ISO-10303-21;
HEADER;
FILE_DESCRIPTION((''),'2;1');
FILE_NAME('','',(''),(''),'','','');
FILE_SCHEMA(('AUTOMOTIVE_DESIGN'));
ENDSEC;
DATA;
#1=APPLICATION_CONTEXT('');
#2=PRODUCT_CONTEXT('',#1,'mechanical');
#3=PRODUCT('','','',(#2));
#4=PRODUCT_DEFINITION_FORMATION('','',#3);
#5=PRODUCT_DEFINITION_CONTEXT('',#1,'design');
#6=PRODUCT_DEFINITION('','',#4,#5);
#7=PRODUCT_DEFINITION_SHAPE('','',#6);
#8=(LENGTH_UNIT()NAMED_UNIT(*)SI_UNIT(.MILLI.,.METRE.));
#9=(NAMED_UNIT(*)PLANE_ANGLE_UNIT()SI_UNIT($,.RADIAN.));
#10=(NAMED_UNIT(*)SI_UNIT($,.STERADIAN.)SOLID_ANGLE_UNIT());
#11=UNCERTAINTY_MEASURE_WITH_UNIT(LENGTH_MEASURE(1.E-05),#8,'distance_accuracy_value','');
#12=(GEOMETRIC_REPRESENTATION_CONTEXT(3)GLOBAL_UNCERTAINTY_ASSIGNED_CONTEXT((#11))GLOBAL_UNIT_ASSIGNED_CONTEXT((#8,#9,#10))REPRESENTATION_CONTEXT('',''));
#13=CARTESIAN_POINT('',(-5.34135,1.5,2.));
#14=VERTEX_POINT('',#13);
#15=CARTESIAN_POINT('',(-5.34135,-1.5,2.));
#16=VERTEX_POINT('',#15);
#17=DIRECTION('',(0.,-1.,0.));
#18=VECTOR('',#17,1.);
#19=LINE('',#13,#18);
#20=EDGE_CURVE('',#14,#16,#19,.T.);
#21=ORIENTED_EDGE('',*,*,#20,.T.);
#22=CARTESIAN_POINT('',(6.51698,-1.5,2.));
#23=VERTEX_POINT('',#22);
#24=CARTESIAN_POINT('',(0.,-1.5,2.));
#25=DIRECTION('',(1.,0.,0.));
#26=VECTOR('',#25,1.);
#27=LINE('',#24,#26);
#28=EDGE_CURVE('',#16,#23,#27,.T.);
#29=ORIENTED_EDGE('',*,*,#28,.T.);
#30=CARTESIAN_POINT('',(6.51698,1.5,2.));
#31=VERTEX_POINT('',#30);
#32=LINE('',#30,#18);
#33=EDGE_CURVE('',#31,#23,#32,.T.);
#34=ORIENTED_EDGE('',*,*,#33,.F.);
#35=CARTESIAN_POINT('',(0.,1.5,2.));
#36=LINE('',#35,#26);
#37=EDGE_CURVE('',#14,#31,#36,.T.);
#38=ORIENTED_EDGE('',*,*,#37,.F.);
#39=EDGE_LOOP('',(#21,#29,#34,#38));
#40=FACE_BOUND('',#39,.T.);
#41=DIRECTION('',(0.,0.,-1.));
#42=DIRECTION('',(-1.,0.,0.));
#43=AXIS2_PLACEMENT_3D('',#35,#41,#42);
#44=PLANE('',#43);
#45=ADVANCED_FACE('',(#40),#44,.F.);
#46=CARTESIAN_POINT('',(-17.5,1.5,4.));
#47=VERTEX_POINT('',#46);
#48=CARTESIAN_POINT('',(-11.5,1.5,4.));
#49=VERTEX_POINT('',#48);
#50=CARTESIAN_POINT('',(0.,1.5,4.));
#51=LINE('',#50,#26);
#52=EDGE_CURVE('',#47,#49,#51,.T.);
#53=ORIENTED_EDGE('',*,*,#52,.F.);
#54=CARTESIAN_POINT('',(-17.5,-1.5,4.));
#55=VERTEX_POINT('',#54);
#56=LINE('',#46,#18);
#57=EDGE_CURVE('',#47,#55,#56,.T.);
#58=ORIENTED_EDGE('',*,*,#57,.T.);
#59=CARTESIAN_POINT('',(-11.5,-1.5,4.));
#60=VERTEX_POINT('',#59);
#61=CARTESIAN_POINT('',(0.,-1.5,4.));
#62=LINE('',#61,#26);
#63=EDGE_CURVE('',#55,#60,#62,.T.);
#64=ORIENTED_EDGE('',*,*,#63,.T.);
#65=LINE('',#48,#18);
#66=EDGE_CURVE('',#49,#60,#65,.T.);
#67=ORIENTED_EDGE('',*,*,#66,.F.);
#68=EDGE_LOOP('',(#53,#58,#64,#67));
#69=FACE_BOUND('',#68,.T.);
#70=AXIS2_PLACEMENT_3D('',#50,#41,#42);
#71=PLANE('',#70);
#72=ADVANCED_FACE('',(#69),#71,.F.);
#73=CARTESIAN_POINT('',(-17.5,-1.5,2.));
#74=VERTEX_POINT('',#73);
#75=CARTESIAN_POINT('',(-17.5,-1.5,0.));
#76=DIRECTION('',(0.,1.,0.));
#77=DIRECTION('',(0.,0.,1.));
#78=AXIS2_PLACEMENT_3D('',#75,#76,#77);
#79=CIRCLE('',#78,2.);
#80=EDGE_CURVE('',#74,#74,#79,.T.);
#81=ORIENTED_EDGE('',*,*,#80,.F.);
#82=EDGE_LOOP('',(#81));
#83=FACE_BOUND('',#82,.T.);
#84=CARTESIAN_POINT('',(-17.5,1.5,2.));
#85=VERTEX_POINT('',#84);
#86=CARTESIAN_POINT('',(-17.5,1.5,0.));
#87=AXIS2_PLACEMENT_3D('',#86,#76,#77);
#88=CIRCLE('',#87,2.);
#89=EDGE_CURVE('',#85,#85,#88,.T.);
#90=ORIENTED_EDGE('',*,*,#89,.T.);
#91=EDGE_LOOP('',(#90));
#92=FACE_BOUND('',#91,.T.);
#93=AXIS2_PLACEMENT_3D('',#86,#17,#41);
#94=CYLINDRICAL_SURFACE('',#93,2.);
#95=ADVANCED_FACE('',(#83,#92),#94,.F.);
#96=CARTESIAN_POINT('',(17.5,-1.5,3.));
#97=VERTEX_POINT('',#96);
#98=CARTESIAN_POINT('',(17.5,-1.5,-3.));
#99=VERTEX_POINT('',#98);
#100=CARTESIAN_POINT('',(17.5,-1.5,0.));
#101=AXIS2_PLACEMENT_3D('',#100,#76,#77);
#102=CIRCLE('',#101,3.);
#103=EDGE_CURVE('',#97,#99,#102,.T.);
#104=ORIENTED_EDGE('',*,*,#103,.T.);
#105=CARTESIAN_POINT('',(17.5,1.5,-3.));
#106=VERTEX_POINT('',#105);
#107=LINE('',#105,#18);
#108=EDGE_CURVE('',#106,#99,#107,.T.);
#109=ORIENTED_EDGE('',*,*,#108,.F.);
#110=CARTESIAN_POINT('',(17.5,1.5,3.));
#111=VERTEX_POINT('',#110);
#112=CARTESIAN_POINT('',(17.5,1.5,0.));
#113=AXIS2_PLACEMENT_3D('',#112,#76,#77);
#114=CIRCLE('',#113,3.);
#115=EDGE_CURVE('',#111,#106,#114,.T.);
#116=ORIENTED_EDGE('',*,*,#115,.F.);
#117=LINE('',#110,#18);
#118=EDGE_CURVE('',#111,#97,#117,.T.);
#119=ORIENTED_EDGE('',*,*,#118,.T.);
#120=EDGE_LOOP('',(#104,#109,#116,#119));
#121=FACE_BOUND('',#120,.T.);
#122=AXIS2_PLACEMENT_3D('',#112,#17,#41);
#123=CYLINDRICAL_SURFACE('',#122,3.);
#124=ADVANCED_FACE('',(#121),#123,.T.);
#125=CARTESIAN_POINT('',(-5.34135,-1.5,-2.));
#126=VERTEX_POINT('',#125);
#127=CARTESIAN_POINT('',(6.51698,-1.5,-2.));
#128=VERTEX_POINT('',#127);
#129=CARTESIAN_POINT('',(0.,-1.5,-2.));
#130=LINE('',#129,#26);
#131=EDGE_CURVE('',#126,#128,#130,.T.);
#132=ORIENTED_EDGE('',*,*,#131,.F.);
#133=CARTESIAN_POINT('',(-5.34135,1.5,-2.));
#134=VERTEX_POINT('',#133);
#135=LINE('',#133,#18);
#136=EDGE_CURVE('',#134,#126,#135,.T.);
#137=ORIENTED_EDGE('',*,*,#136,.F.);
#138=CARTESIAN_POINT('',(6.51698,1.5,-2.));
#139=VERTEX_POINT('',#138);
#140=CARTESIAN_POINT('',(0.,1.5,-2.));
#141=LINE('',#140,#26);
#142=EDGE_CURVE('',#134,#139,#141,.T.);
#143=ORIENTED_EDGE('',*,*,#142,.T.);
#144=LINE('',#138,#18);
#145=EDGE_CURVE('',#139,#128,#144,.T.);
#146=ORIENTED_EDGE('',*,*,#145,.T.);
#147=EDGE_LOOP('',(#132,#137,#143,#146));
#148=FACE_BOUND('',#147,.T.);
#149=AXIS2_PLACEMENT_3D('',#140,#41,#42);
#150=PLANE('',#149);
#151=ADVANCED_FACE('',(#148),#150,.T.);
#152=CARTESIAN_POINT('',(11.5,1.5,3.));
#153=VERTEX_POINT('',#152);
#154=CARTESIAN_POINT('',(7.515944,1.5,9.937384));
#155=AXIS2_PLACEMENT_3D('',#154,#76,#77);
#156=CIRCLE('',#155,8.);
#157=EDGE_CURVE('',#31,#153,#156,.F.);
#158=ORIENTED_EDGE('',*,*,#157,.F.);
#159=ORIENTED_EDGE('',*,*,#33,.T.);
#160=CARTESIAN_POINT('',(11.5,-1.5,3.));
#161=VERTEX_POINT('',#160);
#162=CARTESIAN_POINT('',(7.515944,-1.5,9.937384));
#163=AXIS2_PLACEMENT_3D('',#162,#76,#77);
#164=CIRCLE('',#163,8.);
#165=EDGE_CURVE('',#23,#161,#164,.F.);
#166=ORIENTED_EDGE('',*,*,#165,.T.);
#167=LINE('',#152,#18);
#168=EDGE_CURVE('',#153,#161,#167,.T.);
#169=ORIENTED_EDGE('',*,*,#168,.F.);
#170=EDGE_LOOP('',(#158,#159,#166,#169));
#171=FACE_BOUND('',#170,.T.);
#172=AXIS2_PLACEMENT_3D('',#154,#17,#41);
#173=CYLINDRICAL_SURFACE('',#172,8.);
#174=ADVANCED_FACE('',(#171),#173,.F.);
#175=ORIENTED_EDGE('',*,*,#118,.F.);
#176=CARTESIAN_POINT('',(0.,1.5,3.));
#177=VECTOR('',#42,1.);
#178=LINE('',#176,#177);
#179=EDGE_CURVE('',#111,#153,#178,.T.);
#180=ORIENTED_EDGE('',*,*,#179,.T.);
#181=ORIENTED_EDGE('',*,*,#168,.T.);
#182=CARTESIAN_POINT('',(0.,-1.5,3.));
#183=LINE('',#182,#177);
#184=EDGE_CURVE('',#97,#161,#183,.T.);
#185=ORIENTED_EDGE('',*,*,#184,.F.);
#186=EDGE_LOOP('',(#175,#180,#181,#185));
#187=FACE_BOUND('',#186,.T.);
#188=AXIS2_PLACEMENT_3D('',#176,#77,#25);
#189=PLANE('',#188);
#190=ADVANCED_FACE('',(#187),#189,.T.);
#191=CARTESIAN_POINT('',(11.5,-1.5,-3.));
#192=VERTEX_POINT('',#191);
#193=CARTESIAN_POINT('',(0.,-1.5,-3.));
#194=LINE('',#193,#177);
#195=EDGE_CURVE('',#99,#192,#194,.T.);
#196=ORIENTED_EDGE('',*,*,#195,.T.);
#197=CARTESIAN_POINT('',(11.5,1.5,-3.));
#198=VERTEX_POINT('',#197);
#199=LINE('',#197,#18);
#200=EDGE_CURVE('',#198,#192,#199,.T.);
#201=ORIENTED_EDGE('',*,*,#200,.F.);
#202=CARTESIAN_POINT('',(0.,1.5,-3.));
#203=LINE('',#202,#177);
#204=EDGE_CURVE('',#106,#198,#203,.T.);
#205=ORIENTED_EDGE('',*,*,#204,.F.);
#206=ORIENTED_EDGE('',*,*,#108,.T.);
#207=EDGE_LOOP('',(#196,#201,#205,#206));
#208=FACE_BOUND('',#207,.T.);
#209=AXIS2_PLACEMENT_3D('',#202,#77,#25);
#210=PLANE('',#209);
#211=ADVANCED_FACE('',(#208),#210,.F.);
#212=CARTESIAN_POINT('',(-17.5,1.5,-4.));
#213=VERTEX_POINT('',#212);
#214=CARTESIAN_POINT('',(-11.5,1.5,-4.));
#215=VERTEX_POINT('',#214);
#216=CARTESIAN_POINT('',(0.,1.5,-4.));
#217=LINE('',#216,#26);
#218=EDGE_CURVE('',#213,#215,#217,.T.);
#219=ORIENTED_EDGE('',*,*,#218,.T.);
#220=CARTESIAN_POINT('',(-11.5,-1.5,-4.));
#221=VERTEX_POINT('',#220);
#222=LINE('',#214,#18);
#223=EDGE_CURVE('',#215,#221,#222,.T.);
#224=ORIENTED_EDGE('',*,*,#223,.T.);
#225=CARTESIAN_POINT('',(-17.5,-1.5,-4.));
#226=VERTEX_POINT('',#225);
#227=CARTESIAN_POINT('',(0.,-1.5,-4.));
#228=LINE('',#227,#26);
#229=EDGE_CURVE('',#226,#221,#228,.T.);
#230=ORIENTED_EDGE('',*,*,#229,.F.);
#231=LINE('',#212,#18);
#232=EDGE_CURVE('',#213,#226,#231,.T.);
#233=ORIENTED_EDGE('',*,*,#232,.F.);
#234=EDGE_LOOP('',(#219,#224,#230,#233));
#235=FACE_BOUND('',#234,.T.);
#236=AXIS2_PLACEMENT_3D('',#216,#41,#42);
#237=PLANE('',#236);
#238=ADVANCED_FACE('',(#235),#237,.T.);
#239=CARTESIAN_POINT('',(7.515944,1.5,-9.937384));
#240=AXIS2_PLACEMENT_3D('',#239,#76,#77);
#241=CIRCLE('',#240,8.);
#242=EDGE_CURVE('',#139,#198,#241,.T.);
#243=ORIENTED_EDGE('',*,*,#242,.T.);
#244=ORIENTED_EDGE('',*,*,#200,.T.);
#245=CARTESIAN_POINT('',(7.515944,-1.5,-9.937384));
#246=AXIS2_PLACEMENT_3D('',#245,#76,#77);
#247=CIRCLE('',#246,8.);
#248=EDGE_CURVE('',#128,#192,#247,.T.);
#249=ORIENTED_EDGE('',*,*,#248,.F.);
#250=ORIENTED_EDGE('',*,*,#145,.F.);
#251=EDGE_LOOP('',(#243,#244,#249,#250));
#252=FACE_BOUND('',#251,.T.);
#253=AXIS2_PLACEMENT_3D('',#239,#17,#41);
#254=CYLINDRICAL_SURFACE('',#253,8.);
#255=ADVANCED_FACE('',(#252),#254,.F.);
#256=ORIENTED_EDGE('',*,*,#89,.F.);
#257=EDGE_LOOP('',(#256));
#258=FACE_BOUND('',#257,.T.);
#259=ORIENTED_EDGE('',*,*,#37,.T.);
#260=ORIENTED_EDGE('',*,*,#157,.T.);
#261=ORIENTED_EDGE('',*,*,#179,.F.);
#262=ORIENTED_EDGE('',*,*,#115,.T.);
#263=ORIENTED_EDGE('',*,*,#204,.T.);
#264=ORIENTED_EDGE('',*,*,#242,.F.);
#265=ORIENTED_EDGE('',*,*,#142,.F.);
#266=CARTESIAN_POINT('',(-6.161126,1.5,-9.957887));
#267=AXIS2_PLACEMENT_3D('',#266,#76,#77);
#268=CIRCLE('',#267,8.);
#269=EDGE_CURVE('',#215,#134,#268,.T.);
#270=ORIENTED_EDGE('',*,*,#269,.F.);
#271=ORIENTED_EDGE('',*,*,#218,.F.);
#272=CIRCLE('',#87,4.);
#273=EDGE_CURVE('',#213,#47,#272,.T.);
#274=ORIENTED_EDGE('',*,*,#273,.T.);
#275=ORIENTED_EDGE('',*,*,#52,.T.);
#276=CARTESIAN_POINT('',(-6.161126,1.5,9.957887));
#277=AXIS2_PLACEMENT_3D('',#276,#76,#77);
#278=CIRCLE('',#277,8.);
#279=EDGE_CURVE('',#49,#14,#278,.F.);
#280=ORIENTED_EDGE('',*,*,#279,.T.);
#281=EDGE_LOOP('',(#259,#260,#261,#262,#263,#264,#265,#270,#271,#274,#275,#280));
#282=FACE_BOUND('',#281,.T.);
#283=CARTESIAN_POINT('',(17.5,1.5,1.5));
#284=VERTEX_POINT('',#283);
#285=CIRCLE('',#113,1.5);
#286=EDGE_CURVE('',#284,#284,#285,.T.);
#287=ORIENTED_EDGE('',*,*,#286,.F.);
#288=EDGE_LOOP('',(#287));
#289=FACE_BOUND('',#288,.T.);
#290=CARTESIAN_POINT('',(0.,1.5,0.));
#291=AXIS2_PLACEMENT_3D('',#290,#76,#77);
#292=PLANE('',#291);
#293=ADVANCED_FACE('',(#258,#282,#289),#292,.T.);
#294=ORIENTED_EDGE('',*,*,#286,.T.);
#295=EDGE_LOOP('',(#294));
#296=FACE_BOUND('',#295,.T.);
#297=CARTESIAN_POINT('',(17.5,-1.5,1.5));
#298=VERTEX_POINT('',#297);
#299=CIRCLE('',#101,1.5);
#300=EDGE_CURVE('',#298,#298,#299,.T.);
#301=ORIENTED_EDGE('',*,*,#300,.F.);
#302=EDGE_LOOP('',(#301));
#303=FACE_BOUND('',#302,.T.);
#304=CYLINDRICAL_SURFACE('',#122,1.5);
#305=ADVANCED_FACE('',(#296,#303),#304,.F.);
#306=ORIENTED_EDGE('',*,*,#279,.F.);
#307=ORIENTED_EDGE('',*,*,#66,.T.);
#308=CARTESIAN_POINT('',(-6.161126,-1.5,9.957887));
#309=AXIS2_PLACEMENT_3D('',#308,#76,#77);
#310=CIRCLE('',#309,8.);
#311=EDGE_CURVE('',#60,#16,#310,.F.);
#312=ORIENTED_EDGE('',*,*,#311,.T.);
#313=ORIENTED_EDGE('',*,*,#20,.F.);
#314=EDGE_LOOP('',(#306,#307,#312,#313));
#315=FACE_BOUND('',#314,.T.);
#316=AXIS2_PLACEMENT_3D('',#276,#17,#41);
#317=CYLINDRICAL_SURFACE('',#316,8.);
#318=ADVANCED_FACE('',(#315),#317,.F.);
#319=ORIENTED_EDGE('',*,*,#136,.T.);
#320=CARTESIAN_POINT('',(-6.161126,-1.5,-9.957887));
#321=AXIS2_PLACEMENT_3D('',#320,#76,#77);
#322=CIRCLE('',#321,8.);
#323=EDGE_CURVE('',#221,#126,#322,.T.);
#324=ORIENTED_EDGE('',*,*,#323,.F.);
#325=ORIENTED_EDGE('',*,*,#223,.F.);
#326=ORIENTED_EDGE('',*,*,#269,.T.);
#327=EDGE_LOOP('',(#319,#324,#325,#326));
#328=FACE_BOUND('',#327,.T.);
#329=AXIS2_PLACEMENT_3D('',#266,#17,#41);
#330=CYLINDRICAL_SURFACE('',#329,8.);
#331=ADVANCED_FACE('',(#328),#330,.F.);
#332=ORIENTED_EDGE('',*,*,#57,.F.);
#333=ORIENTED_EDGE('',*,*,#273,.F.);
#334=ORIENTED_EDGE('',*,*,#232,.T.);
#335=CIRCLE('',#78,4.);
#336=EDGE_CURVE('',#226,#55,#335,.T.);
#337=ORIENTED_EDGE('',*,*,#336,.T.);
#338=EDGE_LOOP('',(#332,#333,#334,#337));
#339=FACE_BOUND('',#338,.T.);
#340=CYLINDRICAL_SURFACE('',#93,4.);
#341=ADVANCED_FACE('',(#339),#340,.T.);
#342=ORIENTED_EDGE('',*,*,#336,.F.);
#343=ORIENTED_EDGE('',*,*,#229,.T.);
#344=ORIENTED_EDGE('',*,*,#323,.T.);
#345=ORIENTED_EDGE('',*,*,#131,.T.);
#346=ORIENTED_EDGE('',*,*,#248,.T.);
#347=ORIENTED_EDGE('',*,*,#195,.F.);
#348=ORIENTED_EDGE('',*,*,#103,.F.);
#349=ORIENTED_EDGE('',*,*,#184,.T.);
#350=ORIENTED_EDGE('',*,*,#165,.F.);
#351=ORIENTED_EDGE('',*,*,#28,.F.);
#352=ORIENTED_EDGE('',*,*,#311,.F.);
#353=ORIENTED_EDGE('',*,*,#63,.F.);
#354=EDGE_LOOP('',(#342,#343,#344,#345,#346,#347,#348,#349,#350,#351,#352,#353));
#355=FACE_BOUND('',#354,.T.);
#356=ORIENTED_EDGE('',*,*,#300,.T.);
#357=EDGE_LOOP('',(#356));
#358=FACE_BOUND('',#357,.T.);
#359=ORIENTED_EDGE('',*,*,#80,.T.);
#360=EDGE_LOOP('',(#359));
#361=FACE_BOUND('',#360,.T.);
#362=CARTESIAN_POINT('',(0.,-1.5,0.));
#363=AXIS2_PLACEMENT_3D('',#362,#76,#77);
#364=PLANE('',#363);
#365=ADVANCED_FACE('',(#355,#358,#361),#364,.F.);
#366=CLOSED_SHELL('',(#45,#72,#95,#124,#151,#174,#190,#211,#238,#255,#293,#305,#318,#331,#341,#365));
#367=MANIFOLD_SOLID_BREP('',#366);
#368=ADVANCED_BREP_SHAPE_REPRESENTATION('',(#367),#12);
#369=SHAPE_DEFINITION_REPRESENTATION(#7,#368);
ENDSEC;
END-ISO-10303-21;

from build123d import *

# Parameters (mm, degrees)
SKETCH1_R           = 4
SKETCH1_R_2         = 2
SKETCH1_R_3         = 3
SKETCH1_R_4         = 1.5
BOSS_EXTRUDE1_DEPTH = 1.5


with BuildPart() as part:
    # Sketch1 → Boss-Extrude1 (new, symmetric)
    # profile 1 of 3: a face of its own
    with BuildSketch(Plane(origin=(0, 0, 0), x_dir=(1, 0, 0), z_dir=(0, 1, 0))):
        with BuildLine():
            Line((-11.5, 4), (-17.5, 4))
            ThreePointArc((-17.5, 4), (-14.671572875, 2.828427125), (-13.5, 0))
            ThreePointArc((-13.5, 0), (-14.671572875, -2.828427125), (-17.5, -4))
            Line((-17.5, -4), (-11.5, -4))
            ThreePointArc((-11.5, -4), (-8.632069519, -2.34904785), (-5.341350168, -2))
            Line((-5.341350168, -2), (6.516979908, -2))
            ThreePointArc((6.516979908, -2), (9.090013088, -2.093768583), (11.5, -3))
            Line((11.5, -3), (17.5, -3))
            ThreePointArc((17.5, -3), (14.5, 0), (17.5, 3))
            Line((17.5, 3), (11.5, 3))
            ThreePointArc((11.5, 3), (9.090013088, 2.093768583), (6.516979908, 2))
            Line((6.516979908, 2), (-5.341350168, 2))
            ThreePointArc((-5.341350168, 2), (-8.632069519, 2.34904785), (-11.5, 4))
        make_face()
    # profile 2 of 3: a face of its own
    with BuildSketch(Plane(origin=(0, 0, 0), x_dir=(1, 0, 0), z_dir=(0, 1, 0))):
        with Locations((-17.5, 0)):
            Circle(SKETCH1_R)
        with Locations(Location((-17.5, 0, 0), (0, 0, 270))):
            Circle(SKETCH1_R_2, mode=Mode.SUBTRACT)
    # profile 3 of 3: a face of its own
    with BuildSketch(Plane(origin=(0, 0, 0), x_dir=(1, 0, 0), z_dir=(0, 1, 0))):
        with Locations((17.5, 0)):
            Circle(SKETCH1_R_3)
        with Locations(Location((17.5, 0, 0), (0, 0, 270))):
            Circle(SKETCH1_R_4, mode=Mode.SUBTRACT)
    extrude(amount=BOSS_EXTRUDE1_DEPTH, both=True)


solid = part.part
